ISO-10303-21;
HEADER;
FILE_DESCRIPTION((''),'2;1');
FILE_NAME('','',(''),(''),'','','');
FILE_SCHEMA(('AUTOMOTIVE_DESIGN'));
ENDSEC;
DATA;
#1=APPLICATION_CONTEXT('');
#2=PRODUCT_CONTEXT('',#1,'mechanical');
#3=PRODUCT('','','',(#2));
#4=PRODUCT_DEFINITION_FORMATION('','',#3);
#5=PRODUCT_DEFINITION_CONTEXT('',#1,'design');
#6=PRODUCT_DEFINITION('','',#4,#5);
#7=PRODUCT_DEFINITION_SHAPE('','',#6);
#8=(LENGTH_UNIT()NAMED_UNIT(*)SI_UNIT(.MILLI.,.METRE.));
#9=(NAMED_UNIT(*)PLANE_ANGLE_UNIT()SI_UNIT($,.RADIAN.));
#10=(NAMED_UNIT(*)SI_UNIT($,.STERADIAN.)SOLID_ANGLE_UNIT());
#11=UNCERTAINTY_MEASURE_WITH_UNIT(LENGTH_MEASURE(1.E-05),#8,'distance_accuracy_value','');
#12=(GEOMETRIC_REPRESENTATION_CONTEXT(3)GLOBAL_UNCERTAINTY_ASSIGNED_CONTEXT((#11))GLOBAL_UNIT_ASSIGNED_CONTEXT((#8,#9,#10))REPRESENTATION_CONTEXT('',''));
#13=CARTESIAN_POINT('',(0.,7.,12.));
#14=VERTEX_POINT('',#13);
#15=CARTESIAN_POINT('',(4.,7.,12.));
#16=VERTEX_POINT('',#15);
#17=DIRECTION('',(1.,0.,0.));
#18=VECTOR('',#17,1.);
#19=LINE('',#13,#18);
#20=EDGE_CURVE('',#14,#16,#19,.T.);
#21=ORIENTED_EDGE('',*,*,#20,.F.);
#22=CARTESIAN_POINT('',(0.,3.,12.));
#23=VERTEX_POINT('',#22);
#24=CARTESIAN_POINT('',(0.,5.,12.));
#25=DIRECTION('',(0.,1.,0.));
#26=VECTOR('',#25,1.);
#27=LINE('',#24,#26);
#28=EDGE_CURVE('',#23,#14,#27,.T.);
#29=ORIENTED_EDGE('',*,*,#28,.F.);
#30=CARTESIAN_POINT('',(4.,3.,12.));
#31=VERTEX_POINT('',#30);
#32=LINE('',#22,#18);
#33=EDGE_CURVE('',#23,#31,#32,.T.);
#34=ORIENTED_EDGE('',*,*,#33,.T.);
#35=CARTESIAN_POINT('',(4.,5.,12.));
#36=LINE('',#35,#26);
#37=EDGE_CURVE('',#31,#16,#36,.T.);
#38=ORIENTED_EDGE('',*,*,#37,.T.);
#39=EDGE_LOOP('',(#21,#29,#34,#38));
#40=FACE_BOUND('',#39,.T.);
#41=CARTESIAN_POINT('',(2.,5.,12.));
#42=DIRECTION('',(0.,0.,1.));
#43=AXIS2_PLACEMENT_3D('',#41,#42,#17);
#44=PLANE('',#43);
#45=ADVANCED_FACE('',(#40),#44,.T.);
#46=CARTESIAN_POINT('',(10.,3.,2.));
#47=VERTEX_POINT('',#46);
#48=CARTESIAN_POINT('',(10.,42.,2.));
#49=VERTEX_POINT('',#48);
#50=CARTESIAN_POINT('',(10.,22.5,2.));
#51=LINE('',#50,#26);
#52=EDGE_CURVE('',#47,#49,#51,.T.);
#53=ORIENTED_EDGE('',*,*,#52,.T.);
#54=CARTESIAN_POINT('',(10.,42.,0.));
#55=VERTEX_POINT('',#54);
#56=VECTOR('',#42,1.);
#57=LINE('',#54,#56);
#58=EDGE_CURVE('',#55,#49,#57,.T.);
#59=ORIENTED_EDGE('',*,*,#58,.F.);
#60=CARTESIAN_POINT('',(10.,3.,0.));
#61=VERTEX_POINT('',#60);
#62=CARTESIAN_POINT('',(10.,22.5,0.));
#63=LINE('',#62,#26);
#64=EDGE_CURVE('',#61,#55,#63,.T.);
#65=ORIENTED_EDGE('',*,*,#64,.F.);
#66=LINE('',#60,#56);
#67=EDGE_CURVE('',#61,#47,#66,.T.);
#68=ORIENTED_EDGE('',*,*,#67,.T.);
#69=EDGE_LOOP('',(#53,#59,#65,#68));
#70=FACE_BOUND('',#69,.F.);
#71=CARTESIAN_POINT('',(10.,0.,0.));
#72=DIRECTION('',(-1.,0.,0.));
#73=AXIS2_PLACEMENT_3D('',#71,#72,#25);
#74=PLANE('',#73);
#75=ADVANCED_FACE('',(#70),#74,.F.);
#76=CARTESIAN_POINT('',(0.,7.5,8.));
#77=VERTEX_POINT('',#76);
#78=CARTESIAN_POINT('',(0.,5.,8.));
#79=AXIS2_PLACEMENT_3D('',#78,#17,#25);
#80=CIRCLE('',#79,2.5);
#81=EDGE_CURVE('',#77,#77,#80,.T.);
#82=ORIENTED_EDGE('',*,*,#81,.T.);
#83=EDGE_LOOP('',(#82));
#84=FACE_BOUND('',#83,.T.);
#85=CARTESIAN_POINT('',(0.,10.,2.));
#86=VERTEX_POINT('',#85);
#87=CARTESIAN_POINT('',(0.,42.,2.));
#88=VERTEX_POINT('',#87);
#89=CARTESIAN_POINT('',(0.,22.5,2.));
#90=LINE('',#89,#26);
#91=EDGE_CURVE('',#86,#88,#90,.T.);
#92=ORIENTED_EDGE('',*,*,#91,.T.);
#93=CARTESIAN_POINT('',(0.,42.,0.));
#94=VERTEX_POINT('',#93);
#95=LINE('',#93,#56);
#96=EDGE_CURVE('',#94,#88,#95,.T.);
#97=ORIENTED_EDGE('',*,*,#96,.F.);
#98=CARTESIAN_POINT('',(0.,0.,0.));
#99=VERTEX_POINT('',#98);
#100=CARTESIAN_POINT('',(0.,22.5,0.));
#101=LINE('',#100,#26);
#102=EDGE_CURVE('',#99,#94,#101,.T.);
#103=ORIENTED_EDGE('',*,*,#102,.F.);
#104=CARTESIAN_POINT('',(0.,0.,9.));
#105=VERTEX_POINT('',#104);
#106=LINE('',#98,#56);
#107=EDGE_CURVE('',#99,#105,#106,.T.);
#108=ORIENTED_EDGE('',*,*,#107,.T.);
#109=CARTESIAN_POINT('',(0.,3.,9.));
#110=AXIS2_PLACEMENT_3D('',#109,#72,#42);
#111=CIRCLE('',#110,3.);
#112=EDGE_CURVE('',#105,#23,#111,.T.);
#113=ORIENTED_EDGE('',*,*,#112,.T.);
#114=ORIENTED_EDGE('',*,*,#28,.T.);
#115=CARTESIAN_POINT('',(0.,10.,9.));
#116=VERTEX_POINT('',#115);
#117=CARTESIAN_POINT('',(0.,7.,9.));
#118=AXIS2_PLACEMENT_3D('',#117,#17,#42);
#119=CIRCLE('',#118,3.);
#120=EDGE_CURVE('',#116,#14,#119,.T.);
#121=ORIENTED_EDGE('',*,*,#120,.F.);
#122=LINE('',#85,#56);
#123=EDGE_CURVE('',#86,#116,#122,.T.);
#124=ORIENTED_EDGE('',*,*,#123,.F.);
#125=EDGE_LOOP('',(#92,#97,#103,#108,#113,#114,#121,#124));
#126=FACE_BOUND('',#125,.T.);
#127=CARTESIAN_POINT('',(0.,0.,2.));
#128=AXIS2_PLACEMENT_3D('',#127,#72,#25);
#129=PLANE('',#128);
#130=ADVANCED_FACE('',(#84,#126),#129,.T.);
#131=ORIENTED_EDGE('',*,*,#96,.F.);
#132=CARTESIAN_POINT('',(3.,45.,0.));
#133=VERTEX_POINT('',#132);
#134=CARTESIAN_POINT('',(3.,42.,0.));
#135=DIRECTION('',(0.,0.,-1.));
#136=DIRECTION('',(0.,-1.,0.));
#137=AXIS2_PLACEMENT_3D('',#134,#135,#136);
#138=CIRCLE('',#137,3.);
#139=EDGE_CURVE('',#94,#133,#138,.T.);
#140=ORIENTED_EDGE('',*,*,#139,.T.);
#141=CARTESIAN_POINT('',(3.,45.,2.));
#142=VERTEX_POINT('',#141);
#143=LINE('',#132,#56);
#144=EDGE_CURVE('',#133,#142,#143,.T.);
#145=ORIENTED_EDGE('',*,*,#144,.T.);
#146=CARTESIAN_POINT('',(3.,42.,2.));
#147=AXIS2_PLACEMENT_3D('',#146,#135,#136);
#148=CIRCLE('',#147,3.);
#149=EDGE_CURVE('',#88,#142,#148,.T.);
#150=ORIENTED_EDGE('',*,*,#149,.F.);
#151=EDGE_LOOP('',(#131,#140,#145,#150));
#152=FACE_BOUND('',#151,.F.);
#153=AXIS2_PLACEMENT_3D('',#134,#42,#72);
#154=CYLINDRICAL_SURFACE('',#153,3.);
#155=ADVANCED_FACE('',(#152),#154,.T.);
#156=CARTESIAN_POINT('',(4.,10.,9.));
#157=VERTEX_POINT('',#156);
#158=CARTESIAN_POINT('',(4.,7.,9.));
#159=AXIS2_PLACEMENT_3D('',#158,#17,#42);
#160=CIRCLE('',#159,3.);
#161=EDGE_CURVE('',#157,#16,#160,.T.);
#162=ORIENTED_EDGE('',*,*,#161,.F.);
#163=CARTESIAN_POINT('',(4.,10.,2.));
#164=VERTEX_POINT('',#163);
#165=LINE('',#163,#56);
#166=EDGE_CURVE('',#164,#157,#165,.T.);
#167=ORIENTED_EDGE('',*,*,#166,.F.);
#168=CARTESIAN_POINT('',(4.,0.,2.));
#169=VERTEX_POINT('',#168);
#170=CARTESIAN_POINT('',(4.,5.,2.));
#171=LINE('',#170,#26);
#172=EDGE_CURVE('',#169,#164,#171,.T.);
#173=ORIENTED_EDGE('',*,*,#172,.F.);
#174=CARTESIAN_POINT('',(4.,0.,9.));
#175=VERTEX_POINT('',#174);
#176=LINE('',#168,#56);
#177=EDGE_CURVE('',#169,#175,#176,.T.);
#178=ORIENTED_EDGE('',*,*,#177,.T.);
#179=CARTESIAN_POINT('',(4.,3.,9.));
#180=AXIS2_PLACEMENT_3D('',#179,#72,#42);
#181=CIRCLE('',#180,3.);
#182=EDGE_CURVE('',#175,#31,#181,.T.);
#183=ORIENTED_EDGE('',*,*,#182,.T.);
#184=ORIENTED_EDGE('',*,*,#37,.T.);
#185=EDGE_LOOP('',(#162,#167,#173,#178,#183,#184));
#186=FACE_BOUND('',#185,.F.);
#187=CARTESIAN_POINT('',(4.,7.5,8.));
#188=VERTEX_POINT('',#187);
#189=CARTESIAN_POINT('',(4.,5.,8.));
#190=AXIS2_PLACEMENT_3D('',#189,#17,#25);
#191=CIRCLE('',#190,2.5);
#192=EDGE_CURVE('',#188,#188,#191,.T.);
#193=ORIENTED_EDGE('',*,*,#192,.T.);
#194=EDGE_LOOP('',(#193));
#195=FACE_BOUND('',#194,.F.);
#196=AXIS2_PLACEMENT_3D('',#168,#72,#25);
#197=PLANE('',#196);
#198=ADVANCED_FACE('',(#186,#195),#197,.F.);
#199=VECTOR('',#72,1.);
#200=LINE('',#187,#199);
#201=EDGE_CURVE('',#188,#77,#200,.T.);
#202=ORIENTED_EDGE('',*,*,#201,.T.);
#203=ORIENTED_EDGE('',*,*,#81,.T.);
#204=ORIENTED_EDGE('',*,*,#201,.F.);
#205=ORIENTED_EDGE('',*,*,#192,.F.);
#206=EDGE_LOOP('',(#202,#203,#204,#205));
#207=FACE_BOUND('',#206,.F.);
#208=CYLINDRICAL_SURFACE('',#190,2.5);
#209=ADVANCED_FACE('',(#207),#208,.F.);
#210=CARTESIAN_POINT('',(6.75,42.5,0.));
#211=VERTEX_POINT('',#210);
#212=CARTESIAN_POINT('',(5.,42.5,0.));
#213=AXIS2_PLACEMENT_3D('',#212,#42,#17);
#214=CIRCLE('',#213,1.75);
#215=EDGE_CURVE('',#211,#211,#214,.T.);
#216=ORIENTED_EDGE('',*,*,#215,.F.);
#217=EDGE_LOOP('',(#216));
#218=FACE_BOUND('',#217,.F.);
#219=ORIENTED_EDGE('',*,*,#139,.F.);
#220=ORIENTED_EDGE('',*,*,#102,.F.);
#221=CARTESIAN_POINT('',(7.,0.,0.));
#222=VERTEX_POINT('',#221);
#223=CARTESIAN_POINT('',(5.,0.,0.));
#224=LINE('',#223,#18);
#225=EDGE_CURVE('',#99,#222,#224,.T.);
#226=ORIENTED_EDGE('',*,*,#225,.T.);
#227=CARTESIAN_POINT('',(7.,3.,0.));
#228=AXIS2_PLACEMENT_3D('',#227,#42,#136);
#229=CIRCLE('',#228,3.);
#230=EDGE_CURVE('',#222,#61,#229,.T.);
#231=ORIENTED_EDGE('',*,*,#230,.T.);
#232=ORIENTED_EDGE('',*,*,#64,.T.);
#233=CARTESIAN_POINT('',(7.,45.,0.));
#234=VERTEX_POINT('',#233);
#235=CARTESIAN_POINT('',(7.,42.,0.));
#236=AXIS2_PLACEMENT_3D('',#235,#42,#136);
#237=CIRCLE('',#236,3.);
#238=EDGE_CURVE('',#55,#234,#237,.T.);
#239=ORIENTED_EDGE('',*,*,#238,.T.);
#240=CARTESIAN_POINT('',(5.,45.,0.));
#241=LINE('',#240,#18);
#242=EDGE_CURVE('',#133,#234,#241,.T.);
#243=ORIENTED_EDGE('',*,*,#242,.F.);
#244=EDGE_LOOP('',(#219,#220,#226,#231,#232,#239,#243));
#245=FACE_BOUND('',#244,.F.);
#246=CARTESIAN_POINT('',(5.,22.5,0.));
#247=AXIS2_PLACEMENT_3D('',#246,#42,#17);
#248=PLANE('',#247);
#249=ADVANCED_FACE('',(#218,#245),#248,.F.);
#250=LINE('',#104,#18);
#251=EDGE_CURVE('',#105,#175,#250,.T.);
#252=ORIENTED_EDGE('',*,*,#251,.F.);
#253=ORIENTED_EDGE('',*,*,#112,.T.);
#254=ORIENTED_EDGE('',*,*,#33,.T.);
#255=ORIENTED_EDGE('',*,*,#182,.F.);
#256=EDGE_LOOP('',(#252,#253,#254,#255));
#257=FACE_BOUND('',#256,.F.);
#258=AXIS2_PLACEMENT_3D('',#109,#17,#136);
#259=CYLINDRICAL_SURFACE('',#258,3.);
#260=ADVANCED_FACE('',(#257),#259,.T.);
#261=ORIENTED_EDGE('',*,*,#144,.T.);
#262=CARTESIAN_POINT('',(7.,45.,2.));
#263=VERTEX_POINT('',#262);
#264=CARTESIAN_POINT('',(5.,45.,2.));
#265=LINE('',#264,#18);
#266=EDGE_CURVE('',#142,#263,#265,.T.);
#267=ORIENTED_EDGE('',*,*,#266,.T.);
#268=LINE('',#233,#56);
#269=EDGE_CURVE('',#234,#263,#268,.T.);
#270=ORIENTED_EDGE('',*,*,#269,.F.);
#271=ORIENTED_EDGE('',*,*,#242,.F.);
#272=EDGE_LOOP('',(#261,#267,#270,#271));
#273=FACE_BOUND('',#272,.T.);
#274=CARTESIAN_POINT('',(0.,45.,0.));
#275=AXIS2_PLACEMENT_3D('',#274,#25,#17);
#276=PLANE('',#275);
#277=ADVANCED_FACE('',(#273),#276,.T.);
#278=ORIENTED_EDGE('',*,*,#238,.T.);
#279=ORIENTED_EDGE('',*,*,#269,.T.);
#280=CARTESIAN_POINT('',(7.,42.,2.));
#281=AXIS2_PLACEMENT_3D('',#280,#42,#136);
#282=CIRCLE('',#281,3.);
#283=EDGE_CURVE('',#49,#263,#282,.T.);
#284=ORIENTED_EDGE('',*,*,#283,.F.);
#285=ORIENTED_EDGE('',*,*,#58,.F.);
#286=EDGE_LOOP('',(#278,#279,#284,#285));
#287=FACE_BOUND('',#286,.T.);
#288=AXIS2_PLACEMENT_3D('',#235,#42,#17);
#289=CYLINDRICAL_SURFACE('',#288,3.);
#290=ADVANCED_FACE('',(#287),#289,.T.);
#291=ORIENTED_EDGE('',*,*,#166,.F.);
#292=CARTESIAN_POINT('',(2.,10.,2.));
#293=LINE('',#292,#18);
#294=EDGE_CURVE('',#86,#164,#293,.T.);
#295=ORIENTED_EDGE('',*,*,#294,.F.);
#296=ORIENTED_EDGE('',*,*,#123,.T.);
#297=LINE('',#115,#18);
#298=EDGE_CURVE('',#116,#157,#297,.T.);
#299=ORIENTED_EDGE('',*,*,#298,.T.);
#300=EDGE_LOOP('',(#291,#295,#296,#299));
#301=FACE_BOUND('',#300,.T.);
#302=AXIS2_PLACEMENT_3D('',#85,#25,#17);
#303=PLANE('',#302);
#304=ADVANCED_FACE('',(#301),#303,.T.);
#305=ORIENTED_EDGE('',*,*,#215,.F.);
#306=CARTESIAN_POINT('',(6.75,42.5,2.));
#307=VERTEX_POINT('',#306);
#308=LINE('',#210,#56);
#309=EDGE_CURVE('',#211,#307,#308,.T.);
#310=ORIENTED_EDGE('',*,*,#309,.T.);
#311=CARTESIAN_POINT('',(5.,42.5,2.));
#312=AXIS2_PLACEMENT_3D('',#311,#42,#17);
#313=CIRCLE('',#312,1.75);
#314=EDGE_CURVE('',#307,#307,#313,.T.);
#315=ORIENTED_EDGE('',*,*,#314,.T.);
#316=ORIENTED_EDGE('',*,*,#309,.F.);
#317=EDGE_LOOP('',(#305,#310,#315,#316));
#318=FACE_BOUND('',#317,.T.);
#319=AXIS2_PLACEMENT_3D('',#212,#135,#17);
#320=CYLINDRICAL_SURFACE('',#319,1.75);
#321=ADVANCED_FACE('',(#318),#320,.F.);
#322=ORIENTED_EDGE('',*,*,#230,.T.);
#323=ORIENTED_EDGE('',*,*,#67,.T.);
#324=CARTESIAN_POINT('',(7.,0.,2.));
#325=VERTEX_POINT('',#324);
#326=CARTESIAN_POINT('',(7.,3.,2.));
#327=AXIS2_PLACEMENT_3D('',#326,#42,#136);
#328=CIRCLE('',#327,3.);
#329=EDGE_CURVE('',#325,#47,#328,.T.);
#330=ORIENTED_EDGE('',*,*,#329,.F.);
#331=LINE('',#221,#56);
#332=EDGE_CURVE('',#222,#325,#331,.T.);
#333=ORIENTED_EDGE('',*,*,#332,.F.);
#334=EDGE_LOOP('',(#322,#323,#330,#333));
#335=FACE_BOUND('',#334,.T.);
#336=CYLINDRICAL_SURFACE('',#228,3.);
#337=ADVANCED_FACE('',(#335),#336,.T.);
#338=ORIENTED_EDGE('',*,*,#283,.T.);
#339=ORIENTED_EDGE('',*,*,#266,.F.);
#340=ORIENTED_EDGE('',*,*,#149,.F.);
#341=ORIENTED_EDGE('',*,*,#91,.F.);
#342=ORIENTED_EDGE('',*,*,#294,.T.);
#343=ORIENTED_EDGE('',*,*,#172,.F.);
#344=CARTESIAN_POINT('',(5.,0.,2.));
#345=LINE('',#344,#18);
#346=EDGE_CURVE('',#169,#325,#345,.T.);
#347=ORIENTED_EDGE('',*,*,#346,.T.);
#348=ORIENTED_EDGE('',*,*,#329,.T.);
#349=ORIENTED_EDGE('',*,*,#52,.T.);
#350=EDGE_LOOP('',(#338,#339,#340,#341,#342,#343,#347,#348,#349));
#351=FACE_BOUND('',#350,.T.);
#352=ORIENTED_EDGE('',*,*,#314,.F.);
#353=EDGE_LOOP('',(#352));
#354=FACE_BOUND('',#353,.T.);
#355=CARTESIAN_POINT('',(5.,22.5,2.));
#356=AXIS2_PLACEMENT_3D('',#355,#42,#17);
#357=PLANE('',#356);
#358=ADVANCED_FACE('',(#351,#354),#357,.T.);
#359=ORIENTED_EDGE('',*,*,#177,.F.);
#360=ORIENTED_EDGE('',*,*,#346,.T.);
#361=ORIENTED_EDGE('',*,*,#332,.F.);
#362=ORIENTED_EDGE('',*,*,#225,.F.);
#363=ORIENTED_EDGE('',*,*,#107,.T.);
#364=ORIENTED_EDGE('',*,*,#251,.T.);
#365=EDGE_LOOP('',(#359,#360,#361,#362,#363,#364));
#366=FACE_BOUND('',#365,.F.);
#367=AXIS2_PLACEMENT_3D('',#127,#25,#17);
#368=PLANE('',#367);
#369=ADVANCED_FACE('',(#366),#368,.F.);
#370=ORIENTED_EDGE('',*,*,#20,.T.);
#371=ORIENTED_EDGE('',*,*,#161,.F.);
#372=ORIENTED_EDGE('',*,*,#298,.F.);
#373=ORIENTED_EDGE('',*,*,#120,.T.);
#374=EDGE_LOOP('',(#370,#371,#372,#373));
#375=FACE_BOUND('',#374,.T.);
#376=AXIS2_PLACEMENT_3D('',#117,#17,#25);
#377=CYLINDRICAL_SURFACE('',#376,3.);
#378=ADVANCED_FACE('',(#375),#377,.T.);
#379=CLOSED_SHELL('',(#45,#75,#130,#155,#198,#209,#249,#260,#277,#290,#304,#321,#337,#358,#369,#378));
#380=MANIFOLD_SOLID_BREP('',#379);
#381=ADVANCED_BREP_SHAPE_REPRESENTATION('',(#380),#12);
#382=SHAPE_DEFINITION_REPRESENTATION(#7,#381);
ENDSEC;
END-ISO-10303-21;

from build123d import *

# Parameters (mm, degrees)
F0_W     = 10
F0_H     = 45
F0_R     = 1.75
F1_DEPTH = 2
F2_W     = 4
F2_H     = 10
F3_DEPTH = 10
F4_R     = 3
F5_R     = 2.5
F6_DEPTH = 25.4


with BuildPart() as f1:
    # F0 (on Top) → F1 (new body)
    with BuildSketch(Plane.XY):
        with Locations((5, 22.5)):
            Rectangle(F0_W, F0_H)
        with Locations((5, 42.5)):
            Circle(F0_R, mode=Mode.SUBTRACT)
    extrude(amount=F1_DEPTH)

    # F2 (on face) → F3 (join)
    with BuildSketch(Plane.XY.offset(2)):
        with Locations((2, 5)):
            Rectangle(F2_W, F2_H)
    extrude(amount=F3_DEPTH)

    # F4
    f4_edges = [f1.edges().sort_by_distance(p)[0] for p in [
        (10, 45, 1),
        (10, 0, 1),
        (0, 45, 1),
        (2, 0, 12),
        (2, 10, 12),
    ]]
    fillet(f4_edges, radius=F4_R)

    # F5 (on face) → F6 (cut)
    with BuildSketch(Plane.YZ.offset(4)):
        with Locations((5, 8)):
            Circle(F5_R)
    extrude(amount=-F6_DEPTH, mode=Mode.SUBTRACT)


solid = f1.part
